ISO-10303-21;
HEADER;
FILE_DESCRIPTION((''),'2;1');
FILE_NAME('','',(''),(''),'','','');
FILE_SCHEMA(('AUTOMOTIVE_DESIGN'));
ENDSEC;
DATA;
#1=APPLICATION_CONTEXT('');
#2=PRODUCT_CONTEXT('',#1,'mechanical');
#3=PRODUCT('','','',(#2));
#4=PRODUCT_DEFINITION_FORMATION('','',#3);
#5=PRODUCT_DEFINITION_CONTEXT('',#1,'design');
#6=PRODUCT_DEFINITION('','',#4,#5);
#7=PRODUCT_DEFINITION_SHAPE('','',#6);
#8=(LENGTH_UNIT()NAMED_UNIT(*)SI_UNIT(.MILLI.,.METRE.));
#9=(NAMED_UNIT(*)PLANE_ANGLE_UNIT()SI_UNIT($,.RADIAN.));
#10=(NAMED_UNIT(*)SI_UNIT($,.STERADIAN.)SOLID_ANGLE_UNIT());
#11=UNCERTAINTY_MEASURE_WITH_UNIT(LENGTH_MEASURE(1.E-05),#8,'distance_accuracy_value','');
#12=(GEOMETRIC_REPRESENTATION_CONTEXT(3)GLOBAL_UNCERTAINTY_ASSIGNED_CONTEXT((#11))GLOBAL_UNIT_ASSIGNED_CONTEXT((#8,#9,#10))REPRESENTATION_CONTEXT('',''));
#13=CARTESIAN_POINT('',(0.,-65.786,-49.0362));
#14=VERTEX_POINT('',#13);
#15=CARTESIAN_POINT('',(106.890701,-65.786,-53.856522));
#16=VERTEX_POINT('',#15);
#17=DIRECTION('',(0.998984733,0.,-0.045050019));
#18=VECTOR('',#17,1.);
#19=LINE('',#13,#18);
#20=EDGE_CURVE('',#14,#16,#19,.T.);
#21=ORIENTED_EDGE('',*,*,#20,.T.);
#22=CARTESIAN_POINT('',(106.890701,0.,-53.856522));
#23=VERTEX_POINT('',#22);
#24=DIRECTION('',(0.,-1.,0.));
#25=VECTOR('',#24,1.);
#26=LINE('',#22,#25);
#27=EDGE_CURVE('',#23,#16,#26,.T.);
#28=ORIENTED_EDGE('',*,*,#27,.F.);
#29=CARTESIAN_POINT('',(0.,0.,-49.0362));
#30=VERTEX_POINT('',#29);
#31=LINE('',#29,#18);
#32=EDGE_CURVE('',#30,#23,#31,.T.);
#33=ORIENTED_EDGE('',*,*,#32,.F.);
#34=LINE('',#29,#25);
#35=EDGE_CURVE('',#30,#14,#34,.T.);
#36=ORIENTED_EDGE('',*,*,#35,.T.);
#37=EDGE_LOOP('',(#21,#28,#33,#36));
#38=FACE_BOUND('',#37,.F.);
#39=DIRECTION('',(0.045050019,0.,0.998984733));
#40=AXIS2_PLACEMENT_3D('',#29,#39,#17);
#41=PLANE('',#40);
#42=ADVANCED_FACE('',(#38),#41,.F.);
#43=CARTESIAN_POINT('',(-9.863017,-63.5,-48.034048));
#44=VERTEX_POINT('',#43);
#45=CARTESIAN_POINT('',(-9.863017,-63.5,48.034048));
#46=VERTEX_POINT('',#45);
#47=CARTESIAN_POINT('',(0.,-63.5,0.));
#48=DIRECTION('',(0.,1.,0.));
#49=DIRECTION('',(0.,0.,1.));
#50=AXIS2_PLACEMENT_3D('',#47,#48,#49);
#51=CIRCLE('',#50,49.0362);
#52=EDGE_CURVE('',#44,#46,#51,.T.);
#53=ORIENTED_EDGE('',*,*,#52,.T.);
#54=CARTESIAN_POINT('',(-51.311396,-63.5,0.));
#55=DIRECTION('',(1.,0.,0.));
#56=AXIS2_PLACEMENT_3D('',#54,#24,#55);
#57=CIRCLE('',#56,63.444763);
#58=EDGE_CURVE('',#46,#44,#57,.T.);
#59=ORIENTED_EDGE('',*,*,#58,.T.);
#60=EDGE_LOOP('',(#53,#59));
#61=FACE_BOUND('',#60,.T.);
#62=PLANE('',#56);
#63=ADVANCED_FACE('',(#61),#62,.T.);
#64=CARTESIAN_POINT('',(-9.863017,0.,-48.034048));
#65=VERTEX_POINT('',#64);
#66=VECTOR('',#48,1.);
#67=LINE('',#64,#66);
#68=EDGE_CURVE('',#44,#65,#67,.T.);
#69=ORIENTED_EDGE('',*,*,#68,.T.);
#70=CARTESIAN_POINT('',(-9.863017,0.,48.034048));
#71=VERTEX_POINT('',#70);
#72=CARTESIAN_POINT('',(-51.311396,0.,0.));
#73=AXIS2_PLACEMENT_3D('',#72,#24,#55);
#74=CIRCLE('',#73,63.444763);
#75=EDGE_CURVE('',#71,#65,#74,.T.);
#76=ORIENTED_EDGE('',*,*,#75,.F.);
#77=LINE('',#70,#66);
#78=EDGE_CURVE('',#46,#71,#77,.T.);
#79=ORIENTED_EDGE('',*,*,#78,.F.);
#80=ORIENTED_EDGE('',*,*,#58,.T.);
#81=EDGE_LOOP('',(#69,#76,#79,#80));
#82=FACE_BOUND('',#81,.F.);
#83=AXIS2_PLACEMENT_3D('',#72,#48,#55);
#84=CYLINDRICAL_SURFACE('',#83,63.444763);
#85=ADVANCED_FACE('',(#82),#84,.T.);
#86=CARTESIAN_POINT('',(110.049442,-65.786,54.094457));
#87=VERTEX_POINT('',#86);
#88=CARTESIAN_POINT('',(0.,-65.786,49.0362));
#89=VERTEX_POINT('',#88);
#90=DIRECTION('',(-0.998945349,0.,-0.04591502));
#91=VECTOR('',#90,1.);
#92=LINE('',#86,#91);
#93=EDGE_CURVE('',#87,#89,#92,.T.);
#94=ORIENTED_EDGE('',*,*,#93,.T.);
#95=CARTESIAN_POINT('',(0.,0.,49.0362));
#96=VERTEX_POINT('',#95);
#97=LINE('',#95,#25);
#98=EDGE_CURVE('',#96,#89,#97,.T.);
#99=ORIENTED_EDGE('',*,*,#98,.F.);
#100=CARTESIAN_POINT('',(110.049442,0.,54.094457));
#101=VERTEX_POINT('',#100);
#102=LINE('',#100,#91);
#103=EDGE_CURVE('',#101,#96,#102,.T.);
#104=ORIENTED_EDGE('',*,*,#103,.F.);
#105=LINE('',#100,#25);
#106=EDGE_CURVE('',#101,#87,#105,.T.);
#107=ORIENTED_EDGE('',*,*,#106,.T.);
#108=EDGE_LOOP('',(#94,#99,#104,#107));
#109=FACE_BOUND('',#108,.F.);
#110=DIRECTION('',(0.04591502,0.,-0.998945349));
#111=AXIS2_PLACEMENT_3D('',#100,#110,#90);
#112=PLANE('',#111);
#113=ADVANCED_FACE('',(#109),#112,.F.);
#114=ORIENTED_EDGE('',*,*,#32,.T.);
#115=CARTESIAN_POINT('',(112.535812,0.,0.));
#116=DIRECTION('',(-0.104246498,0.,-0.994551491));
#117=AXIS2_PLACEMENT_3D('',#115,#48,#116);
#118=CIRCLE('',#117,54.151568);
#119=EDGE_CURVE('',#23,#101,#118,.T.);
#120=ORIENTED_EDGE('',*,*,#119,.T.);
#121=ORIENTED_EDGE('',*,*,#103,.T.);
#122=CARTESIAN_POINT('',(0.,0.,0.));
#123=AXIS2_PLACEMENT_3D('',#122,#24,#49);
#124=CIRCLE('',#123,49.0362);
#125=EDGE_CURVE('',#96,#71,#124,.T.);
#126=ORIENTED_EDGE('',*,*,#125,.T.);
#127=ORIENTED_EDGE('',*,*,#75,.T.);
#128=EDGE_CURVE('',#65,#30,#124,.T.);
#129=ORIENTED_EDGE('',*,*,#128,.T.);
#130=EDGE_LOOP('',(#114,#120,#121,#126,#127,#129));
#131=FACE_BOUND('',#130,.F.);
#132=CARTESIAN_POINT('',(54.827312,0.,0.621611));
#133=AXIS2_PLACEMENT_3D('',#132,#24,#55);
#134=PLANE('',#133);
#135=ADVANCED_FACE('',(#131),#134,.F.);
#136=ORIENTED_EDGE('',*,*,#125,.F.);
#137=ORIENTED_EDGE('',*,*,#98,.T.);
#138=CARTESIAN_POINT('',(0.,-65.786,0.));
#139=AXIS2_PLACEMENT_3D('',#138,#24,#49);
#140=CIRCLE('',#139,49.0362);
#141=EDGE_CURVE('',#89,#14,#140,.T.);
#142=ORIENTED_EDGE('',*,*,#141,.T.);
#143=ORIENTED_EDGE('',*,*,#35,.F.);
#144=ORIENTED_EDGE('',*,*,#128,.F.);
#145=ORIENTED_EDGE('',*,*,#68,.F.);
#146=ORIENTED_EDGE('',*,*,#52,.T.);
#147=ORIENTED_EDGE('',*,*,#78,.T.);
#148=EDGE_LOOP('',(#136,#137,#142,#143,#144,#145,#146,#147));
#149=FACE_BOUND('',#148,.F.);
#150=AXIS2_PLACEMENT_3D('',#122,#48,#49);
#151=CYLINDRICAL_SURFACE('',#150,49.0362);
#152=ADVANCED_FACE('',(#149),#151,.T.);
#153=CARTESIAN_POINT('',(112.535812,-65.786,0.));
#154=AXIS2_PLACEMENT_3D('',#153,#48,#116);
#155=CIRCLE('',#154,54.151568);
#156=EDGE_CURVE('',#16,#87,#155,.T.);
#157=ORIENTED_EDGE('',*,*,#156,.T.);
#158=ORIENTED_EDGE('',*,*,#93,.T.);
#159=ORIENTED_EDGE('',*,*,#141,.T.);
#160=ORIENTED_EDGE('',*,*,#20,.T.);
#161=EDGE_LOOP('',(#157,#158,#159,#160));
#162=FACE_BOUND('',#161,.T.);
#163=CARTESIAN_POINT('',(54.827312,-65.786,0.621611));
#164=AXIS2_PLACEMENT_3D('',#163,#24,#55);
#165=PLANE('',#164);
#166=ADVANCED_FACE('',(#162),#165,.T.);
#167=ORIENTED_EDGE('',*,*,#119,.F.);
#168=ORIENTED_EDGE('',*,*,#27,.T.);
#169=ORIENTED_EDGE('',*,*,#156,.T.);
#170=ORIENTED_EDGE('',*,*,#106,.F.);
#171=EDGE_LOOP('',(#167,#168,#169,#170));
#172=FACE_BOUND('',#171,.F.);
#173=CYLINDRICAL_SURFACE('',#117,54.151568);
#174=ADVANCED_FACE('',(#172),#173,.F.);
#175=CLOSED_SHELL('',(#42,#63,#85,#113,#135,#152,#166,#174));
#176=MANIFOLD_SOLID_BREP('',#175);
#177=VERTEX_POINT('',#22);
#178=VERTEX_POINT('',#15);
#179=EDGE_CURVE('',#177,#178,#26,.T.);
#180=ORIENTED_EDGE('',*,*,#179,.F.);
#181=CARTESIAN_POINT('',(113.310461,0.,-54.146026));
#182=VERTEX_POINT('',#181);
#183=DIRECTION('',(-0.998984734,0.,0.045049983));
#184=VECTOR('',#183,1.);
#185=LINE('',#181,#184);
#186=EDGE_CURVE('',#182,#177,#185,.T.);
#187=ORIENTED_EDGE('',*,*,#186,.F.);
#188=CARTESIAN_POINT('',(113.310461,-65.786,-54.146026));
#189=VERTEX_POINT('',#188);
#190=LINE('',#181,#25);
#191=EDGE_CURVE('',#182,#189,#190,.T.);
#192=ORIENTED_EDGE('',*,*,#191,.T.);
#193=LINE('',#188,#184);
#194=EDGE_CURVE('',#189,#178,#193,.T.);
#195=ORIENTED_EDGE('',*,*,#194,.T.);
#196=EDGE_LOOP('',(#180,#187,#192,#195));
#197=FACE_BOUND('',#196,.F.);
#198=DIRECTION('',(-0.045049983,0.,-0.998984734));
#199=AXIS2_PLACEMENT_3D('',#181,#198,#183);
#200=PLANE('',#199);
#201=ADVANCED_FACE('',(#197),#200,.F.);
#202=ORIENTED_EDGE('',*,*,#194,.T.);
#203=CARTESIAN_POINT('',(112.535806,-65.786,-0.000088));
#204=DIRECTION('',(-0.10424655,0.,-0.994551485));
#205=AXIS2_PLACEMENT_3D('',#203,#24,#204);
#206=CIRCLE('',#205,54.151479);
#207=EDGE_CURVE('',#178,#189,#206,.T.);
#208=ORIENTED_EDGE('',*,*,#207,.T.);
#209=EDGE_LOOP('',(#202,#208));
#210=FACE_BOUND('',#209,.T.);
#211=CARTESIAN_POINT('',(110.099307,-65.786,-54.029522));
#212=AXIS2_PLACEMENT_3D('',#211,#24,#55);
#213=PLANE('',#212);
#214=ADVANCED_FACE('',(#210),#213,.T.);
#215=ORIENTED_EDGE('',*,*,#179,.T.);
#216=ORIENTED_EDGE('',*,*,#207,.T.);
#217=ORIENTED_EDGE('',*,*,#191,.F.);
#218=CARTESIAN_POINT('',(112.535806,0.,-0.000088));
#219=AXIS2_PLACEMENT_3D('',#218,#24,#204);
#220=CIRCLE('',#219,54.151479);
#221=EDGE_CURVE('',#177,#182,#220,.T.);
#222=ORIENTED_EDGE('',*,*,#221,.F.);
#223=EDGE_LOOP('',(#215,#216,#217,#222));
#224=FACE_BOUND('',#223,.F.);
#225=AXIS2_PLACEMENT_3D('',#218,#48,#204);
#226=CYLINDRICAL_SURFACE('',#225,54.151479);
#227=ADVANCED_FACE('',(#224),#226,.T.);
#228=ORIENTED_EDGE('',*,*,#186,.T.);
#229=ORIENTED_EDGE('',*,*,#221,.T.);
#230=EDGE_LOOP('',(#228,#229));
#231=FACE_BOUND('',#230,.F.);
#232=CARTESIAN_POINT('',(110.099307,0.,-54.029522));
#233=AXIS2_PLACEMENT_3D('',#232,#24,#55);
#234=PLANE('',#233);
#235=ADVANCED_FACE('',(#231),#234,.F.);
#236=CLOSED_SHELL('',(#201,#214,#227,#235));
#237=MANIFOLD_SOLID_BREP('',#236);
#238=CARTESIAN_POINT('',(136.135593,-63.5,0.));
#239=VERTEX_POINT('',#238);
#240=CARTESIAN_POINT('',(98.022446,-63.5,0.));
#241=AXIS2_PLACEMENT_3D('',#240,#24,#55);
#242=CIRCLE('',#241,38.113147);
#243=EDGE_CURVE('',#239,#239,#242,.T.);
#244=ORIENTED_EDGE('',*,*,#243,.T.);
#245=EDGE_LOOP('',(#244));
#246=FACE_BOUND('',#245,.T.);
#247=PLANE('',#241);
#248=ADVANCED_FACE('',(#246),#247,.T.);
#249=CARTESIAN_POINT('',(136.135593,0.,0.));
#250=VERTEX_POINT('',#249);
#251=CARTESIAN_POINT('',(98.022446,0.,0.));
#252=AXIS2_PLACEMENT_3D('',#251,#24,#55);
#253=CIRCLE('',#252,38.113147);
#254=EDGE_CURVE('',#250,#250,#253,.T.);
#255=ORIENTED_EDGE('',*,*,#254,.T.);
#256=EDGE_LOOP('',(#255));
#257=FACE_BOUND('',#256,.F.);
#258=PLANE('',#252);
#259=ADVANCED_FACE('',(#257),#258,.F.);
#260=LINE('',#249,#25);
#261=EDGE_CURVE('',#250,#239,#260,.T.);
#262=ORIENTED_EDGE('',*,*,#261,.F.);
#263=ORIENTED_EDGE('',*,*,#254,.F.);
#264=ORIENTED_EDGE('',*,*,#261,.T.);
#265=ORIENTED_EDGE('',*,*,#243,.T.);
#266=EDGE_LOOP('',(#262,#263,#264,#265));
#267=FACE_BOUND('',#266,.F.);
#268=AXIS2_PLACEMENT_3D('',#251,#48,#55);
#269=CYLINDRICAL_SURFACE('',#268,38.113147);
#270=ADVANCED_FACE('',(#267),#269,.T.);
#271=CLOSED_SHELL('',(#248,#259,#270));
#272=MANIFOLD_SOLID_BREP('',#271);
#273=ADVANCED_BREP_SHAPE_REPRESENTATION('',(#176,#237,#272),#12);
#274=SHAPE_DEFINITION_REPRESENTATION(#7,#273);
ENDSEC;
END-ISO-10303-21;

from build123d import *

# Parameters (mm, degrees)
F1_DEPTH = 65.786
F2_R     = 38.113147
F2_R_2   = 63.444763
F3_DEPTH = 63.5


with BuildPart() as f1:
    # F0 (on Front) → F1 (new body)
    with BuildSketch(Plane.XZ):
        with BuildLine():
            Line((113.310461, -54.146026), (106.890701, -53.856522))
            ThreePointArc((106.890701, -53.856522), (110.096283, -54.096589), (113.310461, -54.146026))
        make_face()
        with BuildLine():
            ThreePointArc((0, 49.0362), (34.67383, 34.67383), (49.0362, 0))
            ThreePointArc((49.0362, 0), (34.67383, -34.67383), (0, -49.0362))
            Line((0, -49.0362), (106.890701, -53.856522))
            ThreePointArc((106.890701, -53.856522), (58.407412, 1.583845), (110.049442, 54.094457))
            Line((110.049442, 54.094457), (0, 49.0362))
        make_face()
        with BuildLine():
            ThreePointArc((0, -49.0362), (34.67383, -34.67383), (49.0362, 0))
            ThreePointArc((49.0362, 0), (34.67383, 34.67383), (0, 49.0362))
            ThreePointArc((0, 49.0362), (-49.0362, 0), (0, -49.0362))
        make_face()
    extrude(amount=F1_DEPTH)

    # F2 (on Front) → F3 (join)
    with BuildSketch(Plane.XZ):
        with Locations((98.022446, 0)):
            Circle(F2_R)
        with Locations((-51.311396, 0)):
            Circle(F2_R_2)
    extrude(amount=F3_DEPTH)


solid = f1.part
